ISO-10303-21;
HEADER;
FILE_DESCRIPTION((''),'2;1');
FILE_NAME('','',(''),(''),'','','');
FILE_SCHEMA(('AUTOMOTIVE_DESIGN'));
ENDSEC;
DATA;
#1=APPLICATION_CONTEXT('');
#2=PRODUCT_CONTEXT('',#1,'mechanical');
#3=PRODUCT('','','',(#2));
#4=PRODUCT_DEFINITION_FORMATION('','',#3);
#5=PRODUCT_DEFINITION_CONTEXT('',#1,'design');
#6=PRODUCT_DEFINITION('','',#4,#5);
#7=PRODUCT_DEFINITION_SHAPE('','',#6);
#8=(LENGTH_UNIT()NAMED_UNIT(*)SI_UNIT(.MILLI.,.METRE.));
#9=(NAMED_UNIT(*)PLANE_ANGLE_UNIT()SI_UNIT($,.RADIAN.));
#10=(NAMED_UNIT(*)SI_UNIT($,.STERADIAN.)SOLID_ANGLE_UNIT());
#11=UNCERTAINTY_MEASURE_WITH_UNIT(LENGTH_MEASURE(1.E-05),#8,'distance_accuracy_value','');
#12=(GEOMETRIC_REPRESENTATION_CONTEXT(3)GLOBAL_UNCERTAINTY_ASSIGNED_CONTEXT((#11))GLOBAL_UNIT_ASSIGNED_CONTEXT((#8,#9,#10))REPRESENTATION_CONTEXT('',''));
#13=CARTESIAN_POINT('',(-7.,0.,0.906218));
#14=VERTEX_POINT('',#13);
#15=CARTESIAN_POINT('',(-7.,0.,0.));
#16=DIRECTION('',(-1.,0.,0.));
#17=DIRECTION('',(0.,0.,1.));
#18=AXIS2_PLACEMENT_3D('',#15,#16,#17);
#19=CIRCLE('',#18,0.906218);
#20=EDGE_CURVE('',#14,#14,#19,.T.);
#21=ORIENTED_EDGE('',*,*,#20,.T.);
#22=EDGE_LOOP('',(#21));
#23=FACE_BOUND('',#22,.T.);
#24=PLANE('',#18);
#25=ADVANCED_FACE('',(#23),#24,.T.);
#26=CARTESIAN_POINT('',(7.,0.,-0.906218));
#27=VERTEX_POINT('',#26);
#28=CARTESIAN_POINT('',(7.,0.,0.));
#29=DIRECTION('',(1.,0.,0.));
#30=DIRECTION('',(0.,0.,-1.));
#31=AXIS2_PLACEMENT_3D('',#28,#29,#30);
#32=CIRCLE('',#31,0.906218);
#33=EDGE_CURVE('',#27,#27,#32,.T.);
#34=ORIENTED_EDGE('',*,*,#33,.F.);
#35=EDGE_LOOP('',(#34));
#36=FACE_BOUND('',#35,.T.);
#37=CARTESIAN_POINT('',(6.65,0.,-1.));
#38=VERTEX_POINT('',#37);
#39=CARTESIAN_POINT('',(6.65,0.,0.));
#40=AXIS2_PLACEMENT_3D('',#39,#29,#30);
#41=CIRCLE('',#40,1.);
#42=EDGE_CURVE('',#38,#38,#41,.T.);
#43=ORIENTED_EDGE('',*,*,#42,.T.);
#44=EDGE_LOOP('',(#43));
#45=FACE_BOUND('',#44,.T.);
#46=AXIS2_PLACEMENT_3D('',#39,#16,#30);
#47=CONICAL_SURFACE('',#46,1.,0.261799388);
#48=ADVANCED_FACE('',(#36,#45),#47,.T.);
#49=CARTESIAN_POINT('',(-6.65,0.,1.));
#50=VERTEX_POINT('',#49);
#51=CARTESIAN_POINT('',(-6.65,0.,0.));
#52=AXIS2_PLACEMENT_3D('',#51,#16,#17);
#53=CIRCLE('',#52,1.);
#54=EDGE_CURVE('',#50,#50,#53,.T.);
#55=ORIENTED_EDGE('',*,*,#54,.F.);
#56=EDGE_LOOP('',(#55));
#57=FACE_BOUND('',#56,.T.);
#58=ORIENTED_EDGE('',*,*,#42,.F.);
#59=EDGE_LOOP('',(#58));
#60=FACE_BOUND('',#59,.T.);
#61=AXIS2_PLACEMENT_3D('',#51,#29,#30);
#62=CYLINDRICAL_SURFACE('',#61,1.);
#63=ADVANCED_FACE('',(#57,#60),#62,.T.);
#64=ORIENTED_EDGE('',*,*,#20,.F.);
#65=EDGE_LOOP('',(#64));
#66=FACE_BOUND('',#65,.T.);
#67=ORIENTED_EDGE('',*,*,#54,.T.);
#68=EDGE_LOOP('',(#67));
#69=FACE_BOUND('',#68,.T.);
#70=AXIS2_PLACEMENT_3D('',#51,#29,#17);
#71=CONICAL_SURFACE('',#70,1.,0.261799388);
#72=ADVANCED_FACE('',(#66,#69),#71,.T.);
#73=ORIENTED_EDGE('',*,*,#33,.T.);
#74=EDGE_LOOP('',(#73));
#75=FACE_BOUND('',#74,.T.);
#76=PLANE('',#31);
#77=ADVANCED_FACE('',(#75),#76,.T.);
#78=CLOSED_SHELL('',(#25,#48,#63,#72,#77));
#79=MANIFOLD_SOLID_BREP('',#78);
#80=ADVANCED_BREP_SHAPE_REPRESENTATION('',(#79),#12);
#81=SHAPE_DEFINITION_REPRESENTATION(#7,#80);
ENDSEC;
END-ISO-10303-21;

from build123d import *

# Parameters (mm, degrees)
EXTRUDE1_DEPTH      = 6.65
EXTRUDE1_DEPTH_BACK = 6.65
SKETCH2_R           = 1
SKETCH3_R           = 1
EXTRUDE2_DEPTH      = 0.35
EXTRUDE2_TAPER      = 15
SKETCH4_R           = 1
EXTRUDE3_DEPTH      = 0.35
EXTRUDE3_TAPER      = 15


with BuildPart() as part:
    # Sketch2 → Extrude1 (new, two sides: drawn at the far end of the back side and taken through both)
    with BuildSketch(Plane(origin=(0, 0, 0), x_dir=(0, 0, -1), z_dir=(1, 0, 0)).offset(-EXTRUDE1_DEPTH_BACK)):
        Circle(SKETCH2_R)
    extrude(amount=EXTRUDE1_DEPTH + EXTRUDE1_DEPTH_BACK)

    # Sketch3 → Extrude2 (add)
    with BuildSketch(Plane(origin=(6.65, 0, 0), x_dir=(0, 0, -1), z_dir=(1, 0, 0))):
        Circle(SKETCH3_R)
    extrude(amount=EXTRUDE2_DEPTH, taper=EXTRUDE2_TAPER)

    # Sketch4 → Extrude3 (add)
    with BuildSketch(Plane.ZY.offset(6.65)):
        with Locations(Location((0, 0, 0), (0, 0, 180))):
            Circle(SKETCH4_R)
    extrude(amount=EXTRUDE3_DEPTH, taper=EXTRUDE3_TAPER)


solid = part.part
